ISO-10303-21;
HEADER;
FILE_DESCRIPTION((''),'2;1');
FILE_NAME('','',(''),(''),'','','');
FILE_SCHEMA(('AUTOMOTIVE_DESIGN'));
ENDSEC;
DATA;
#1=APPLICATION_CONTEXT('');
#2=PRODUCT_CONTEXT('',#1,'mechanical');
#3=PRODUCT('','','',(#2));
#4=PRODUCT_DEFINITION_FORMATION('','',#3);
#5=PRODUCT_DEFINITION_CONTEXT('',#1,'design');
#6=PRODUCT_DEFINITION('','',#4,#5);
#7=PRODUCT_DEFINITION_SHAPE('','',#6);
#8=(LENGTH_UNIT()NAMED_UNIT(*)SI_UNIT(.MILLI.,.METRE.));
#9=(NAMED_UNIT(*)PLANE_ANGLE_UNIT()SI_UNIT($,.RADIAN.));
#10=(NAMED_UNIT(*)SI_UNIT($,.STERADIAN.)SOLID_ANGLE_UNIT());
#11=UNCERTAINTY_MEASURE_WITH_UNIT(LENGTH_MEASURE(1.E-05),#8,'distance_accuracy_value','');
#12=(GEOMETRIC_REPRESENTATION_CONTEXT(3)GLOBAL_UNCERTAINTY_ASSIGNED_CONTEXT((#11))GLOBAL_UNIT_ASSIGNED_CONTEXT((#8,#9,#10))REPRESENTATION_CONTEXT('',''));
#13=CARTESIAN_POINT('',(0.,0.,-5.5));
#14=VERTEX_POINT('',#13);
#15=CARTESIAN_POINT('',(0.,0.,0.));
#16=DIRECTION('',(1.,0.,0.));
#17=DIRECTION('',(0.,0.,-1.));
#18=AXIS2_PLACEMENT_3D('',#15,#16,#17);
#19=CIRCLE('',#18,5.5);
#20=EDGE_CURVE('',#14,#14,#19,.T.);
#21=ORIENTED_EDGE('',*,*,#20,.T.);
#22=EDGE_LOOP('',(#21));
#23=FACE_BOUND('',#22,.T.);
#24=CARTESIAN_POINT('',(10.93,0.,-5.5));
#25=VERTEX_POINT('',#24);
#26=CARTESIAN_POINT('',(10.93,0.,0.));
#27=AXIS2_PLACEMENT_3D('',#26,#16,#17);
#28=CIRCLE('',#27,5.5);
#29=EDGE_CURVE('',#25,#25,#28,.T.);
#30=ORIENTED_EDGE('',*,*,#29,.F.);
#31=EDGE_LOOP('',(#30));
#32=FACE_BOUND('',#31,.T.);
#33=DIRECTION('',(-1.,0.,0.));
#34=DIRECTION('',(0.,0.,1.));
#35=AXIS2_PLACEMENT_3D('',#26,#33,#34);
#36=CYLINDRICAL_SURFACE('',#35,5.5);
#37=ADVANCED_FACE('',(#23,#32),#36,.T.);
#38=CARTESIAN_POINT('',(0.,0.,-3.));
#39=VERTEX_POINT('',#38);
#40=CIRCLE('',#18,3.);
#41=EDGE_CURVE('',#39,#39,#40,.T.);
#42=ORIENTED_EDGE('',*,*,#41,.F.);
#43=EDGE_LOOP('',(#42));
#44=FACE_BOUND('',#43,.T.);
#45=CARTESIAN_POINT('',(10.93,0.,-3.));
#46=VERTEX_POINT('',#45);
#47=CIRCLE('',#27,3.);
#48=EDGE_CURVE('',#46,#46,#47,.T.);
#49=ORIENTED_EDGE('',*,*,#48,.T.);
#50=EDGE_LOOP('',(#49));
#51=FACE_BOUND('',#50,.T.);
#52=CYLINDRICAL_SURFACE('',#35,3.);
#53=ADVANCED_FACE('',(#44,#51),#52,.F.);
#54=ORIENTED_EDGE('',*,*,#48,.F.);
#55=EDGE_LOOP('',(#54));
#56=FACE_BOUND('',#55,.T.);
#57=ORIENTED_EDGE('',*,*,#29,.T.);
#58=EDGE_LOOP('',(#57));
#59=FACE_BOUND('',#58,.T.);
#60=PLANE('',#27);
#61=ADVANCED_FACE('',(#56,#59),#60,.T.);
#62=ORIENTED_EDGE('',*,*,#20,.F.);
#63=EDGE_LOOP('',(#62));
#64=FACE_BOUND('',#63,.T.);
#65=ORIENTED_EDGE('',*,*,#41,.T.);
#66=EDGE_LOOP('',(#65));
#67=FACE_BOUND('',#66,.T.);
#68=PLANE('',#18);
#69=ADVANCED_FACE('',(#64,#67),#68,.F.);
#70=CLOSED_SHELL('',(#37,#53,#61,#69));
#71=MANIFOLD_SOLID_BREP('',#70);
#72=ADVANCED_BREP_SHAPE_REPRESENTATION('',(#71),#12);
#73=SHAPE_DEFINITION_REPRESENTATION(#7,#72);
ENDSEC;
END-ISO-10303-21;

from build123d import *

# Parameters (mm, degrees)
SKETCH_1_R      = 5.5
SKETCH_1_R_2    = 3
EXTRUDE_1_DEPTH = 10.93


with BuildPart() as part:
    # 草图1 → 凸台-拉伸1 (new body)
    with BuildSketch(Plane(origin=(0, 0, 0), x_dir=(0, 0, -1), z_dir=(1, 0, 0))):
        Circle(SKETCH_1_R)
        Circle(SKETCH_1_R_2, mode=Mode.SUBTRACT)
    extrude(amount=EXTRUDE_1_DEPTH)


solid = part.part
